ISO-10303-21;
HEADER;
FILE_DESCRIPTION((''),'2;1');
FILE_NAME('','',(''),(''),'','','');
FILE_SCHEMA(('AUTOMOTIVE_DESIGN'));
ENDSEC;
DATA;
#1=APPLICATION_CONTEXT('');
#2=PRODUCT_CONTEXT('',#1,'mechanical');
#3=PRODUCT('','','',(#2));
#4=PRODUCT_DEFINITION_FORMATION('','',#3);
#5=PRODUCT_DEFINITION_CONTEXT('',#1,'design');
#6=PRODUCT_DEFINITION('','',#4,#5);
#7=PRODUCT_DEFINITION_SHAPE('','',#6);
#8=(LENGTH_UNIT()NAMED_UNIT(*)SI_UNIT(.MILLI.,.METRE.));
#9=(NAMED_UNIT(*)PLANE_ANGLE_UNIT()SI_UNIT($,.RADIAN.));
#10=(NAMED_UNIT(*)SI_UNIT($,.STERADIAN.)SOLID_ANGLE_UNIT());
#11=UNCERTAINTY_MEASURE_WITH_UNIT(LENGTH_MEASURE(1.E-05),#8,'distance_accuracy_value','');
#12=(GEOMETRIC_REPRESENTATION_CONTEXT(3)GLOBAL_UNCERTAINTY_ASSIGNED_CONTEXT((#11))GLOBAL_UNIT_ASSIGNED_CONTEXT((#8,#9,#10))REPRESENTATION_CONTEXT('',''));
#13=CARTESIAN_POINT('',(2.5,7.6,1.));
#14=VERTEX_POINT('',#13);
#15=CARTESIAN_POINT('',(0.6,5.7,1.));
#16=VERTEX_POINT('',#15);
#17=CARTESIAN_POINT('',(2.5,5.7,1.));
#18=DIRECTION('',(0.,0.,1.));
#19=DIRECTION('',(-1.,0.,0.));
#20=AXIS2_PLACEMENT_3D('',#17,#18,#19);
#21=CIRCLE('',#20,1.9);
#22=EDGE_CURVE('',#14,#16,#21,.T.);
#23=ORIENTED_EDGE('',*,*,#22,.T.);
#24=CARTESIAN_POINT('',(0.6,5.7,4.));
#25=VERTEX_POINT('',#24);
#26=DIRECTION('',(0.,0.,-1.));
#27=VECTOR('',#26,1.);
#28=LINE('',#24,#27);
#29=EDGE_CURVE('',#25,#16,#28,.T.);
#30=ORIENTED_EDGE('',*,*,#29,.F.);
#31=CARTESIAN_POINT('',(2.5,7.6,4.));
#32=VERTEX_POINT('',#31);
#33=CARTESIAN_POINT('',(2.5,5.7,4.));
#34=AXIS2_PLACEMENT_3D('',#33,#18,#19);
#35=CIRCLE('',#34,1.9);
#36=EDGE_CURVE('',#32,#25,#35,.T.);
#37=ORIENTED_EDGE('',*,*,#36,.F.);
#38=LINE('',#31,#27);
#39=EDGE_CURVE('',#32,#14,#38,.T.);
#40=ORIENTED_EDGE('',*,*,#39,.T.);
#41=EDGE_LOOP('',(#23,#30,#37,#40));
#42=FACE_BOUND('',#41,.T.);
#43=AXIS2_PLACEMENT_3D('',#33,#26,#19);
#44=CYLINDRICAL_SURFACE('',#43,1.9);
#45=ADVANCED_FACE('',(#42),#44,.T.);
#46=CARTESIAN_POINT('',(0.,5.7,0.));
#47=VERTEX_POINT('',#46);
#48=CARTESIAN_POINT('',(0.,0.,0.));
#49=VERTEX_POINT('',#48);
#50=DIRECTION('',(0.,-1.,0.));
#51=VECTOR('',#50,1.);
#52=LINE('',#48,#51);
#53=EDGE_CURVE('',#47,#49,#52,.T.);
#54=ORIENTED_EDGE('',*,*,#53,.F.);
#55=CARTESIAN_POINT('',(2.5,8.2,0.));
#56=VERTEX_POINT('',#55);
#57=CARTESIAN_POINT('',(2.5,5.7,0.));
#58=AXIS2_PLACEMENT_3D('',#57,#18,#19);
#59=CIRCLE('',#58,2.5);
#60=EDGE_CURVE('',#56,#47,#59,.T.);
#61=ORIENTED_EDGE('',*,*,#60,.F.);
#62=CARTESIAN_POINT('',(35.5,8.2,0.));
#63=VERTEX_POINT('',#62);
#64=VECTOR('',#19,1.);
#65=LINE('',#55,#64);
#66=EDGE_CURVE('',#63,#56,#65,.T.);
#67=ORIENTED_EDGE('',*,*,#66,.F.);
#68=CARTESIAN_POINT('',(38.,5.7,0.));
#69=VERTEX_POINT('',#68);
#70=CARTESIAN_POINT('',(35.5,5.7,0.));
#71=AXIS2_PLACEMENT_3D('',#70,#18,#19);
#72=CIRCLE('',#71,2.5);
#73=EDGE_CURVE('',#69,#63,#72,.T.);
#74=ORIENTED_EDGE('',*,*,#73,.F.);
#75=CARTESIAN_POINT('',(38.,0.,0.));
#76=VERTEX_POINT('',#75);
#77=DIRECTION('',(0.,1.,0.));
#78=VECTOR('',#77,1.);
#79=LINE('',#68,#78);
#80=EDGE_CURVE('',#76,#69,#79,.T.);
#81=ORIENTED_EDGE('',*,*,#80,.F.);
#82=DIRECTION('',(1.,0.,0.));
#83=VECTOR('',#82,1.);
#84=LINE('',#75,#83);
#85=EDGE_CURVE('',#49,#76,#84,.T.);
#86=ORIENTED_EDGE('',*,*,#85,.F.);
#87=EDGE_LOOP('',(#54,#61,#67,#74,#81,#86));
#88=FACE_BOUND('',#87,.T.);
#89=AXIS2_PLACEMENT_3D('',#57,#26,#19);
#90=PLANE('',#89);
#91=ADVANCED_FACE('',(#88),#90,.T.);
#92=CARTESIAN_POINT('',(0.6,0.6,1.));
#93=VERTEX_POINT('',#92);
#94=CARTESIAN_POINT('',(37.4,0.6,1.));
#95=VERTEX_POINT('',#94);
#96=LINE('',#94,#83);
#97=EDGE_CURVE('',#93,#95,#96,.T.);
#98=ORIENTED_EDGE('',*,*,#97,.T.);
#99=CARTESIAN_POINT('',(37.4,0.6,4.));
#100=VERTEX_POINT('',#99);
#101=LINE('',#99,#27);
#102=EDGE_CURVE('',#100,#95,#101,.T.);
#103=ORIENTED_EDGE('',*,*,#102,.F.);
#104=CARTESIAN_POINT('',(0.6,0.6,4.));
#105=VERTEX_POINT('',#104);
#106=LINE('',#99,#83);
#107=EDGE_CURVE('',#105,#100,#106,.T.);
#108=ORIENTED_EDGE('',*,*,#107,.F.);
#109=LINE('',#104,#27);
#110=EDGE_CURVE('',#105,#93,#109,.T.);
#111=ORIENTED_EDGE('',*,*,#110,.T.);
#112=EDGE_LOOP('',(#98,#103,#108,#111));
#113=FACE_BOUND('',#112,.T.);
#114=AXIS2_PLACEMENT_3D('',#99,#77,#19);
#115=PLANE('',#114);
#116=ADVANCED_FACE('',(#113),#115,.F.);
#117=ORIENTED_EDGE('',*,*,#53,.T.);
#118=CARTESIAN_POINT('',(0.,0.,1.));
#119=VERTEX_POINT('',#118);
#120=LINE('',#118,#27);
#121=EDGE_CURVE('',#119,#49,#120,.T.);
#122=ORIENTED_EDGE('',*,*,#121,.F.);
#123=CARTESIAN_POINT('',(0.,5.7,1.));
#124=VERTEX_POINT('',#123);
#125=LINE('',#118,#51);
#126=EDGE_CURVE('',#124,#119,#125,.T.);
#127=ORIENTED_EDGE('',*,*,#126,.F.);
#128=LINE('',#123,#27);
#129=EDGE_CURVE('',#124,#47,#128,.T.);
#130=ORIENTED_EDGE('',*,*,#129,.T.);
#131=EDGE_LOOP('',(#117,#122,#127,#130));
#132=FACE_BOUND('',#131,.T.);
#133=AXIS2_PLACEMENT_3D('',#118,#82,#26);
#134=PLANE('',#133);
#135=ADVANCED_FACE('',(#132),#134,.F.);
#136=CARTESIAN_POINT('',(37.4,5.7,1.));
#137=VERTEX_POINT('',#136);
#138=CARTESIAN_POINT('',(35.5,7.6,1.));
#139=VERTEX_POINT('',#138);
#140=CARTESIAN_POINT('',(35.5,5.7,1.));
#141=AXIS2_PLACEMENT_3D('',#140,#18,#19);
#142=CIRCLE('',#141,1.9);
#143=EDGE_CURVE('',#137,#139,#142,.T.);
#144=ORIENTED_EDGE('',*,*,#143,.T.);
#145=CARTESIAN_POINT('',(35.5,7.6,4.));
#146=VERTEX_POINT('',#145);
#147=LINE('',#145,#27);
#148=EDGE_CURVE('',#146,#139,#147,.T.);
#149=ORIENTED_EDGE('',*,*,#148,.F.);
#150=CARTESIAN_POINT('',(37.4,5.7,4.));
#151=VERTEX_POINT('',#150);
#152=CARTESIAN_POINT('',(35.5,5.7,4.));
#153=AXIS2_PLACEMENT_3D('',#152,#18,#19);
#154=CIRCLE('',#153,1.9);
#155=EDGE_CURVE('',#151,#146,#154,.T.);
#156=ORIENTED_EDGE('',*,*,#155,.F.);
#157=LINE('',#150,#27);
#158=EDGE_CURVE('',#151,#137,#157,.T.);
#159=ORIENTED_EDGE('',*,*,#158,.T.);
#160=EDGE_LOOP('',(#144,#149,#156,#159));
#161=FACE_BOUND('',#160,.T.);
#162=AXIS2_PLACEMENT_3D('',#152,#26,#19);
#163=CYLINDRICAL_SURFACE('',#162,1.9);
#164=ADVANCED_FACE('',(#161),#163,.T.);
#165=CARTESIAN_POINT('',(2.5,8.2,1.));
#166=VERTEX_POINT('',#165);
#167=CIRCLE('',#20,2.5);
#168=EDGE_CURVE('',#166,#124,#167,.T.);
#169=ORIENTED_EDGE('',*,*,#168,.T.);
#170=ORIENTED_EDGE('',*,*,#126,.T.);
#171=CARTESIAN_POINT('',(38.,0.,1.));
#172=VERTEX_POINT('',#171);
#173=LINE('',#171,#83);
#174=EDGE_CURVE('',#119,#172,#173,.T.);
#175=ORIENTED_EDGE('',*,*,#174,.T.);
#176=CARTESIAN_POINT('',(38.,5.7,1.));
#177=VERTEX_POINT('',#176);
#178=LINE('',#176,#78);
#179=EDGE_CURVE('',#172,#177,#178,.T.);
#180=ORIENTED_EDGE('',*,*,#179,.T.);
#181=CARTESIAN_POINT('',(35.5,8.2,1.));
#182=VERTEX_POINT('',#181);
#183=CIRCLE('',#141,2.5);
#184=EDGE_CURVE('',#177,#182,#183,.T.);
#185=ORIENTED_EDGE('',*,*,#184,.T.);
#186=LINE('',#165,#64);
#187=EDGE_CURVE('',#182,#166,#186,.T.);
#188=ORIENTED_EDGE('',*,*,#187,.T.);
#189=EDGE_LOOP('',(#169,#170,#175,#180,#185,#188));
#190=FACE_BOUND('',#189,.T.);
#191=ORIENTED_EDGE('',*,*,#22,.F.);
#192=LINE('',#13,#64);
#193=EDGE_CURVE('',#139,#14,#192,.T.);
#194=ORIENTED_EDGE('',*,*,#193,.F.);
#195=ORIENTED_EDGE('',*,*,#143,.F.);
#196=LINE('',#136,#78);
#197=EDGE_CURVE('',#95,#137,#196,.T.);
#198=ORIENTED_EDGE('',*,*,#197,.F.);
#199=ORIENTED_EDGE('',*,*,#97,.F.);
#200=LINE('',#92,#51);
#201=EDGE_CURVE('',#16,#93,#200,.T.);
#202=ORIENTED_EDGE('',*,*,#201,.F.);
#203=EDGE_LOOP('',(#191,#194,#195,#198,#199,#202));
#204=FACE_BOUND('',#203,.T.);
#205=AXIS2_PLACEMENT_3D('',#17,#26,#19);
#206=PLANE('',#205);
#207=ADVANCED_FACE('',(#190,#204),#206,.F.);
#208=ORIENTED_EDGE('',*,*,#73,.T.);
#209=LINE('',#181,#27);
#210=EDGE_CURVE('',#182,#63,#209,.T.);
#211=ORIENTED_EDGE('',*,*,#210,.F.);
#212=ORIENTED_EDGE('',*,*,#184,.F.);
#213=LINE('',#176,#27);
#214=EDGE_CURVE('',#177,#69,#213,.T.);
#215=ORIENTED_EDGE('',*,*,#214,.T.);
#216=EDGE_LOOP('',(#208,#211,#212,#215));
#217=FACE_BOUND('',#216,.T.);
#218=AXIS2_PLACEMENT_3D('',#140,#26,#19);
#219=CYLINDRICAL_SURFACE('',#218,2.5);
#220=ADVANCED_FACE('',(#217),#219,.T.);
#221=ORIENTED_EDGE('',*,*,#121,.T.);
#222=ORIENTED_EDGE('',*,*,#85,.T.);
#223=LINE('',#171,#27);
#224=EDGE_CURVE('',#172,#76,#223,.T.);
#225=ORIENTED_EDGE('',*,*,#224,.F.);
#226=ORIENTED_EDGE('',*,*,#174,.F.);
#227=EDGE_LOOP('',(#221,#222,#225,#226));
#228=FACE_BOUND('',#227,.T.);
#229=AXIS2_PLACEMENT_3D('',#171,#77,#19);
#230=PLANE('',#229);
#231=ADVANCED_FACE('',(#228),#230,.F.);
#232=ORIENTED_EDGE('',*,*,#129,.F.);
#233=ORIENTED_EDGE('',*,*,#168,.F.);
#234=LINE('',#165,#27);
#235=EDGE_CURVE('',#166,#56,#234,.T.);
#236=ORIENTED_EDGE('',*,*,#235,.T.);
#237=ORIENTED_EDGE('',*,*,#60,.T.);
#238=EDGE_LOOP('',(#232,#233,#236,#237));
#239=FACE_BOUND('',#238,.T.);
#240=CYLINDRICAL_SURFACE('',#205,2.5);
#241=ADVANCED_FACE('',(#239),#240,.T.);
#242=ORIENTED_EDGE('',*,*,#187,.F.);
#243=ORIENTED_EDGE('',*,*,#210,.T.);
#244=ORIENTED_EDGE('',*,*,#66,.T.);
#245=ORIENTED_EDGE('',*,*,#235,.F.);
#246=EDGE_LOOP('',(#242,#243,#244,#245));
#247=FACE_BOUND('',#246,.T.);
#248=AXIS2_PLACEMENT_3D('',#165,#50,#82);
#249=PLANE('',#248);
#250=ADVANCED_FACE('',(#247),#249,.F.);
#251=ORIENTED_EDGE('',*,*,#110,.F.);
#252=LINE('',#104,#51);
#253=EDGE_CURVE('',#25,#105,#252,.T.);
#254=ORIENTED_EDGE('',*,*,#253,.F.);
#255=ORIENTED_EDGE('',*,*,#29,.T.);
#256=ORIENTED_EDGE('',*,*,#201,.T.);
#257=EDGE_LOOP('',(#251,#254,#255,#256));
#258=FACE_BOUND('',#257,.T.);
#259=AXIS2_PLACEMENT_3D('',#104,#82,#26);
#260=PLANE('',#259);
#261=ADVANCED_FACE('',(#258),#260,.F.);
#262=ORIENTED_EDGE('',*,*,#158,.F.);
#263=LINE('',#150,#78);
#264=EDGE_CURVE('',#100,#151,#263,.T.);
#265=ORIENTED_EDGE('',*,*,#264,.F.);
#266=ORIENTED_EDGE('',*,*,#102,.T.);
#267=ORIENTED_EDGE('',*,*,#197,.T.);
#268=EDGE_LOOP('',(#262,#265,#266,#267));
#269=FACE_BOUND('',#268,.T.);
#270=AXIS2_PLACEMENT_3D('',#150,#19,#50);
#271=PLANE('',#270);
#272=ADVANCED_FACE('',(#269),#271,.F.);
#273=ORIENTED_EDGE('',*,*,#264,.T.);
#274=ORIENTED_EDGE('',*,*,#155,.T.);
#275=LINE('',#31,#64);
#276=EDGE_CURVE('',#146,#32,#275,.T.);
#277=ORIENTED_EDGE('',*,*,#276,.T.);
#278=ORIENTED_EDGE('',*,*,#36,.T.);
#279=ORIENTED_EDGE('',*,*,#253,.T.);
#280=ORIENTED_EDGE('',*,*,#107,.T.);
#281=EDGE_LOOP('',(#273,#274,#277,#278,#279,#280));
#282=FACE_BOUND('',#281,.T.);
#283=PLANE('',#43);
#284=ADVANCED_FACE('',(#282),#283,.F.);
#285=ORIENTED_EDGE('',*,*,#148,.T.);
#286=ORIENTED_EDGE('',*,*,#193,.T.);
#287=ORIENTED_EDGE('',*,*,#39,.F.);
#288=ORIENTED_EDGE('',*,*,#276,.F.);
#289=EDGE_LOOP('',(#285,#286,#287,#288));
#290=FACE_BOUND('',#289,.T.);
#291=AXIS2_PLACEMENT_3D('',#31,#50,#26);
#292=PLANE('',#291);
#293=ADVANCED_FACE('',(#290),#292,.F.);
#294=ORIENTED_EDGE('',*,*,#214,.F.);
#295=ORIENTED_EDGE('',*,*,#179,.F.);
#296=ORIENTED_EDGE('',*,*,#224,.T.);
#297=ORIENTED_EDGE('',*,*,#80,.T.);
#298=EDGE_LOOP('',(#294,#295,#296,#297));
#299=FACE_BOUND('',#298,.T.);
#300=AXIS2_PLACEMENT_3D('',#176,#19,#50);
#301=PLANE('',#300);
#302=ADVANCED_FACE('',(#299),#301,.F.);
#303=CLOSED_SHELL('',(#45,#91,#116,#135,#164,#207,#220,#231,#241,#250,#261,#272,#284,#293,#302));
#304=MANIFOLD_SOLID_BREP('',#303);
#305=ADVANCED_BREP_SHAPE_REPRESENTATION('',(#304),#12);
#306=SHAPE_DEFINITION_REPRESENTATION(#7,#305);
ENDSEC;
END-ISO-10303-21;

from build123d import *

# Parameters (mm, degrees)
BOSS_EXTRUDE1_DEPTH = 1
BOSS_EXTRUDE2_DEPTH = 3


with BuildPart() as part:
    # Sketch1 → Boss-Extrude1 (new body)
    with BuildSketch(Plane.XY):
        with BuildLine():
            Line((0, 0), (0, 5.7))
            ThreePointArc((0, 5.7), (0.732233047, 7.467766953), (2.5, 8.2))
            Line((2.5, 8.2), (35.5, 8.2))
            ThreePointArc((35.5, 8.2), (37.267766953, 7.467766953), (38, 5.7))
            Line((38, 5.7), (38, 0))
            Line((38, 0), (0, 0))
        make_face()
    extrude(amount=BOSS_EXTRUDE1_DEPTH)

    # Sketch2 → Boss-Extrude2 (add)
    with BuildSketch(Plane.XY.offset(1)):
        with BuildLine():
            Line((0.6, 0.6), (0.6, 5.7))
            ThreePointArc((0.6, 5.7), (1.156497116, 7.043502884), (2.5, 7.6))
            Line((2.5, 7.6), (35.5, 7.6))
            ThreePointArc((35.5, 7.6), (36.843502884, 7.043502884), (37.4, 5.7))
            Line((37.4, 5.7), (37.4, 0.6))
            Line((37.4, 0.6), (0.6, 0.6))
        make_face()
    extrude(amount=BOSS_EXTRUDE2_DEPTH)


solid = part.part
